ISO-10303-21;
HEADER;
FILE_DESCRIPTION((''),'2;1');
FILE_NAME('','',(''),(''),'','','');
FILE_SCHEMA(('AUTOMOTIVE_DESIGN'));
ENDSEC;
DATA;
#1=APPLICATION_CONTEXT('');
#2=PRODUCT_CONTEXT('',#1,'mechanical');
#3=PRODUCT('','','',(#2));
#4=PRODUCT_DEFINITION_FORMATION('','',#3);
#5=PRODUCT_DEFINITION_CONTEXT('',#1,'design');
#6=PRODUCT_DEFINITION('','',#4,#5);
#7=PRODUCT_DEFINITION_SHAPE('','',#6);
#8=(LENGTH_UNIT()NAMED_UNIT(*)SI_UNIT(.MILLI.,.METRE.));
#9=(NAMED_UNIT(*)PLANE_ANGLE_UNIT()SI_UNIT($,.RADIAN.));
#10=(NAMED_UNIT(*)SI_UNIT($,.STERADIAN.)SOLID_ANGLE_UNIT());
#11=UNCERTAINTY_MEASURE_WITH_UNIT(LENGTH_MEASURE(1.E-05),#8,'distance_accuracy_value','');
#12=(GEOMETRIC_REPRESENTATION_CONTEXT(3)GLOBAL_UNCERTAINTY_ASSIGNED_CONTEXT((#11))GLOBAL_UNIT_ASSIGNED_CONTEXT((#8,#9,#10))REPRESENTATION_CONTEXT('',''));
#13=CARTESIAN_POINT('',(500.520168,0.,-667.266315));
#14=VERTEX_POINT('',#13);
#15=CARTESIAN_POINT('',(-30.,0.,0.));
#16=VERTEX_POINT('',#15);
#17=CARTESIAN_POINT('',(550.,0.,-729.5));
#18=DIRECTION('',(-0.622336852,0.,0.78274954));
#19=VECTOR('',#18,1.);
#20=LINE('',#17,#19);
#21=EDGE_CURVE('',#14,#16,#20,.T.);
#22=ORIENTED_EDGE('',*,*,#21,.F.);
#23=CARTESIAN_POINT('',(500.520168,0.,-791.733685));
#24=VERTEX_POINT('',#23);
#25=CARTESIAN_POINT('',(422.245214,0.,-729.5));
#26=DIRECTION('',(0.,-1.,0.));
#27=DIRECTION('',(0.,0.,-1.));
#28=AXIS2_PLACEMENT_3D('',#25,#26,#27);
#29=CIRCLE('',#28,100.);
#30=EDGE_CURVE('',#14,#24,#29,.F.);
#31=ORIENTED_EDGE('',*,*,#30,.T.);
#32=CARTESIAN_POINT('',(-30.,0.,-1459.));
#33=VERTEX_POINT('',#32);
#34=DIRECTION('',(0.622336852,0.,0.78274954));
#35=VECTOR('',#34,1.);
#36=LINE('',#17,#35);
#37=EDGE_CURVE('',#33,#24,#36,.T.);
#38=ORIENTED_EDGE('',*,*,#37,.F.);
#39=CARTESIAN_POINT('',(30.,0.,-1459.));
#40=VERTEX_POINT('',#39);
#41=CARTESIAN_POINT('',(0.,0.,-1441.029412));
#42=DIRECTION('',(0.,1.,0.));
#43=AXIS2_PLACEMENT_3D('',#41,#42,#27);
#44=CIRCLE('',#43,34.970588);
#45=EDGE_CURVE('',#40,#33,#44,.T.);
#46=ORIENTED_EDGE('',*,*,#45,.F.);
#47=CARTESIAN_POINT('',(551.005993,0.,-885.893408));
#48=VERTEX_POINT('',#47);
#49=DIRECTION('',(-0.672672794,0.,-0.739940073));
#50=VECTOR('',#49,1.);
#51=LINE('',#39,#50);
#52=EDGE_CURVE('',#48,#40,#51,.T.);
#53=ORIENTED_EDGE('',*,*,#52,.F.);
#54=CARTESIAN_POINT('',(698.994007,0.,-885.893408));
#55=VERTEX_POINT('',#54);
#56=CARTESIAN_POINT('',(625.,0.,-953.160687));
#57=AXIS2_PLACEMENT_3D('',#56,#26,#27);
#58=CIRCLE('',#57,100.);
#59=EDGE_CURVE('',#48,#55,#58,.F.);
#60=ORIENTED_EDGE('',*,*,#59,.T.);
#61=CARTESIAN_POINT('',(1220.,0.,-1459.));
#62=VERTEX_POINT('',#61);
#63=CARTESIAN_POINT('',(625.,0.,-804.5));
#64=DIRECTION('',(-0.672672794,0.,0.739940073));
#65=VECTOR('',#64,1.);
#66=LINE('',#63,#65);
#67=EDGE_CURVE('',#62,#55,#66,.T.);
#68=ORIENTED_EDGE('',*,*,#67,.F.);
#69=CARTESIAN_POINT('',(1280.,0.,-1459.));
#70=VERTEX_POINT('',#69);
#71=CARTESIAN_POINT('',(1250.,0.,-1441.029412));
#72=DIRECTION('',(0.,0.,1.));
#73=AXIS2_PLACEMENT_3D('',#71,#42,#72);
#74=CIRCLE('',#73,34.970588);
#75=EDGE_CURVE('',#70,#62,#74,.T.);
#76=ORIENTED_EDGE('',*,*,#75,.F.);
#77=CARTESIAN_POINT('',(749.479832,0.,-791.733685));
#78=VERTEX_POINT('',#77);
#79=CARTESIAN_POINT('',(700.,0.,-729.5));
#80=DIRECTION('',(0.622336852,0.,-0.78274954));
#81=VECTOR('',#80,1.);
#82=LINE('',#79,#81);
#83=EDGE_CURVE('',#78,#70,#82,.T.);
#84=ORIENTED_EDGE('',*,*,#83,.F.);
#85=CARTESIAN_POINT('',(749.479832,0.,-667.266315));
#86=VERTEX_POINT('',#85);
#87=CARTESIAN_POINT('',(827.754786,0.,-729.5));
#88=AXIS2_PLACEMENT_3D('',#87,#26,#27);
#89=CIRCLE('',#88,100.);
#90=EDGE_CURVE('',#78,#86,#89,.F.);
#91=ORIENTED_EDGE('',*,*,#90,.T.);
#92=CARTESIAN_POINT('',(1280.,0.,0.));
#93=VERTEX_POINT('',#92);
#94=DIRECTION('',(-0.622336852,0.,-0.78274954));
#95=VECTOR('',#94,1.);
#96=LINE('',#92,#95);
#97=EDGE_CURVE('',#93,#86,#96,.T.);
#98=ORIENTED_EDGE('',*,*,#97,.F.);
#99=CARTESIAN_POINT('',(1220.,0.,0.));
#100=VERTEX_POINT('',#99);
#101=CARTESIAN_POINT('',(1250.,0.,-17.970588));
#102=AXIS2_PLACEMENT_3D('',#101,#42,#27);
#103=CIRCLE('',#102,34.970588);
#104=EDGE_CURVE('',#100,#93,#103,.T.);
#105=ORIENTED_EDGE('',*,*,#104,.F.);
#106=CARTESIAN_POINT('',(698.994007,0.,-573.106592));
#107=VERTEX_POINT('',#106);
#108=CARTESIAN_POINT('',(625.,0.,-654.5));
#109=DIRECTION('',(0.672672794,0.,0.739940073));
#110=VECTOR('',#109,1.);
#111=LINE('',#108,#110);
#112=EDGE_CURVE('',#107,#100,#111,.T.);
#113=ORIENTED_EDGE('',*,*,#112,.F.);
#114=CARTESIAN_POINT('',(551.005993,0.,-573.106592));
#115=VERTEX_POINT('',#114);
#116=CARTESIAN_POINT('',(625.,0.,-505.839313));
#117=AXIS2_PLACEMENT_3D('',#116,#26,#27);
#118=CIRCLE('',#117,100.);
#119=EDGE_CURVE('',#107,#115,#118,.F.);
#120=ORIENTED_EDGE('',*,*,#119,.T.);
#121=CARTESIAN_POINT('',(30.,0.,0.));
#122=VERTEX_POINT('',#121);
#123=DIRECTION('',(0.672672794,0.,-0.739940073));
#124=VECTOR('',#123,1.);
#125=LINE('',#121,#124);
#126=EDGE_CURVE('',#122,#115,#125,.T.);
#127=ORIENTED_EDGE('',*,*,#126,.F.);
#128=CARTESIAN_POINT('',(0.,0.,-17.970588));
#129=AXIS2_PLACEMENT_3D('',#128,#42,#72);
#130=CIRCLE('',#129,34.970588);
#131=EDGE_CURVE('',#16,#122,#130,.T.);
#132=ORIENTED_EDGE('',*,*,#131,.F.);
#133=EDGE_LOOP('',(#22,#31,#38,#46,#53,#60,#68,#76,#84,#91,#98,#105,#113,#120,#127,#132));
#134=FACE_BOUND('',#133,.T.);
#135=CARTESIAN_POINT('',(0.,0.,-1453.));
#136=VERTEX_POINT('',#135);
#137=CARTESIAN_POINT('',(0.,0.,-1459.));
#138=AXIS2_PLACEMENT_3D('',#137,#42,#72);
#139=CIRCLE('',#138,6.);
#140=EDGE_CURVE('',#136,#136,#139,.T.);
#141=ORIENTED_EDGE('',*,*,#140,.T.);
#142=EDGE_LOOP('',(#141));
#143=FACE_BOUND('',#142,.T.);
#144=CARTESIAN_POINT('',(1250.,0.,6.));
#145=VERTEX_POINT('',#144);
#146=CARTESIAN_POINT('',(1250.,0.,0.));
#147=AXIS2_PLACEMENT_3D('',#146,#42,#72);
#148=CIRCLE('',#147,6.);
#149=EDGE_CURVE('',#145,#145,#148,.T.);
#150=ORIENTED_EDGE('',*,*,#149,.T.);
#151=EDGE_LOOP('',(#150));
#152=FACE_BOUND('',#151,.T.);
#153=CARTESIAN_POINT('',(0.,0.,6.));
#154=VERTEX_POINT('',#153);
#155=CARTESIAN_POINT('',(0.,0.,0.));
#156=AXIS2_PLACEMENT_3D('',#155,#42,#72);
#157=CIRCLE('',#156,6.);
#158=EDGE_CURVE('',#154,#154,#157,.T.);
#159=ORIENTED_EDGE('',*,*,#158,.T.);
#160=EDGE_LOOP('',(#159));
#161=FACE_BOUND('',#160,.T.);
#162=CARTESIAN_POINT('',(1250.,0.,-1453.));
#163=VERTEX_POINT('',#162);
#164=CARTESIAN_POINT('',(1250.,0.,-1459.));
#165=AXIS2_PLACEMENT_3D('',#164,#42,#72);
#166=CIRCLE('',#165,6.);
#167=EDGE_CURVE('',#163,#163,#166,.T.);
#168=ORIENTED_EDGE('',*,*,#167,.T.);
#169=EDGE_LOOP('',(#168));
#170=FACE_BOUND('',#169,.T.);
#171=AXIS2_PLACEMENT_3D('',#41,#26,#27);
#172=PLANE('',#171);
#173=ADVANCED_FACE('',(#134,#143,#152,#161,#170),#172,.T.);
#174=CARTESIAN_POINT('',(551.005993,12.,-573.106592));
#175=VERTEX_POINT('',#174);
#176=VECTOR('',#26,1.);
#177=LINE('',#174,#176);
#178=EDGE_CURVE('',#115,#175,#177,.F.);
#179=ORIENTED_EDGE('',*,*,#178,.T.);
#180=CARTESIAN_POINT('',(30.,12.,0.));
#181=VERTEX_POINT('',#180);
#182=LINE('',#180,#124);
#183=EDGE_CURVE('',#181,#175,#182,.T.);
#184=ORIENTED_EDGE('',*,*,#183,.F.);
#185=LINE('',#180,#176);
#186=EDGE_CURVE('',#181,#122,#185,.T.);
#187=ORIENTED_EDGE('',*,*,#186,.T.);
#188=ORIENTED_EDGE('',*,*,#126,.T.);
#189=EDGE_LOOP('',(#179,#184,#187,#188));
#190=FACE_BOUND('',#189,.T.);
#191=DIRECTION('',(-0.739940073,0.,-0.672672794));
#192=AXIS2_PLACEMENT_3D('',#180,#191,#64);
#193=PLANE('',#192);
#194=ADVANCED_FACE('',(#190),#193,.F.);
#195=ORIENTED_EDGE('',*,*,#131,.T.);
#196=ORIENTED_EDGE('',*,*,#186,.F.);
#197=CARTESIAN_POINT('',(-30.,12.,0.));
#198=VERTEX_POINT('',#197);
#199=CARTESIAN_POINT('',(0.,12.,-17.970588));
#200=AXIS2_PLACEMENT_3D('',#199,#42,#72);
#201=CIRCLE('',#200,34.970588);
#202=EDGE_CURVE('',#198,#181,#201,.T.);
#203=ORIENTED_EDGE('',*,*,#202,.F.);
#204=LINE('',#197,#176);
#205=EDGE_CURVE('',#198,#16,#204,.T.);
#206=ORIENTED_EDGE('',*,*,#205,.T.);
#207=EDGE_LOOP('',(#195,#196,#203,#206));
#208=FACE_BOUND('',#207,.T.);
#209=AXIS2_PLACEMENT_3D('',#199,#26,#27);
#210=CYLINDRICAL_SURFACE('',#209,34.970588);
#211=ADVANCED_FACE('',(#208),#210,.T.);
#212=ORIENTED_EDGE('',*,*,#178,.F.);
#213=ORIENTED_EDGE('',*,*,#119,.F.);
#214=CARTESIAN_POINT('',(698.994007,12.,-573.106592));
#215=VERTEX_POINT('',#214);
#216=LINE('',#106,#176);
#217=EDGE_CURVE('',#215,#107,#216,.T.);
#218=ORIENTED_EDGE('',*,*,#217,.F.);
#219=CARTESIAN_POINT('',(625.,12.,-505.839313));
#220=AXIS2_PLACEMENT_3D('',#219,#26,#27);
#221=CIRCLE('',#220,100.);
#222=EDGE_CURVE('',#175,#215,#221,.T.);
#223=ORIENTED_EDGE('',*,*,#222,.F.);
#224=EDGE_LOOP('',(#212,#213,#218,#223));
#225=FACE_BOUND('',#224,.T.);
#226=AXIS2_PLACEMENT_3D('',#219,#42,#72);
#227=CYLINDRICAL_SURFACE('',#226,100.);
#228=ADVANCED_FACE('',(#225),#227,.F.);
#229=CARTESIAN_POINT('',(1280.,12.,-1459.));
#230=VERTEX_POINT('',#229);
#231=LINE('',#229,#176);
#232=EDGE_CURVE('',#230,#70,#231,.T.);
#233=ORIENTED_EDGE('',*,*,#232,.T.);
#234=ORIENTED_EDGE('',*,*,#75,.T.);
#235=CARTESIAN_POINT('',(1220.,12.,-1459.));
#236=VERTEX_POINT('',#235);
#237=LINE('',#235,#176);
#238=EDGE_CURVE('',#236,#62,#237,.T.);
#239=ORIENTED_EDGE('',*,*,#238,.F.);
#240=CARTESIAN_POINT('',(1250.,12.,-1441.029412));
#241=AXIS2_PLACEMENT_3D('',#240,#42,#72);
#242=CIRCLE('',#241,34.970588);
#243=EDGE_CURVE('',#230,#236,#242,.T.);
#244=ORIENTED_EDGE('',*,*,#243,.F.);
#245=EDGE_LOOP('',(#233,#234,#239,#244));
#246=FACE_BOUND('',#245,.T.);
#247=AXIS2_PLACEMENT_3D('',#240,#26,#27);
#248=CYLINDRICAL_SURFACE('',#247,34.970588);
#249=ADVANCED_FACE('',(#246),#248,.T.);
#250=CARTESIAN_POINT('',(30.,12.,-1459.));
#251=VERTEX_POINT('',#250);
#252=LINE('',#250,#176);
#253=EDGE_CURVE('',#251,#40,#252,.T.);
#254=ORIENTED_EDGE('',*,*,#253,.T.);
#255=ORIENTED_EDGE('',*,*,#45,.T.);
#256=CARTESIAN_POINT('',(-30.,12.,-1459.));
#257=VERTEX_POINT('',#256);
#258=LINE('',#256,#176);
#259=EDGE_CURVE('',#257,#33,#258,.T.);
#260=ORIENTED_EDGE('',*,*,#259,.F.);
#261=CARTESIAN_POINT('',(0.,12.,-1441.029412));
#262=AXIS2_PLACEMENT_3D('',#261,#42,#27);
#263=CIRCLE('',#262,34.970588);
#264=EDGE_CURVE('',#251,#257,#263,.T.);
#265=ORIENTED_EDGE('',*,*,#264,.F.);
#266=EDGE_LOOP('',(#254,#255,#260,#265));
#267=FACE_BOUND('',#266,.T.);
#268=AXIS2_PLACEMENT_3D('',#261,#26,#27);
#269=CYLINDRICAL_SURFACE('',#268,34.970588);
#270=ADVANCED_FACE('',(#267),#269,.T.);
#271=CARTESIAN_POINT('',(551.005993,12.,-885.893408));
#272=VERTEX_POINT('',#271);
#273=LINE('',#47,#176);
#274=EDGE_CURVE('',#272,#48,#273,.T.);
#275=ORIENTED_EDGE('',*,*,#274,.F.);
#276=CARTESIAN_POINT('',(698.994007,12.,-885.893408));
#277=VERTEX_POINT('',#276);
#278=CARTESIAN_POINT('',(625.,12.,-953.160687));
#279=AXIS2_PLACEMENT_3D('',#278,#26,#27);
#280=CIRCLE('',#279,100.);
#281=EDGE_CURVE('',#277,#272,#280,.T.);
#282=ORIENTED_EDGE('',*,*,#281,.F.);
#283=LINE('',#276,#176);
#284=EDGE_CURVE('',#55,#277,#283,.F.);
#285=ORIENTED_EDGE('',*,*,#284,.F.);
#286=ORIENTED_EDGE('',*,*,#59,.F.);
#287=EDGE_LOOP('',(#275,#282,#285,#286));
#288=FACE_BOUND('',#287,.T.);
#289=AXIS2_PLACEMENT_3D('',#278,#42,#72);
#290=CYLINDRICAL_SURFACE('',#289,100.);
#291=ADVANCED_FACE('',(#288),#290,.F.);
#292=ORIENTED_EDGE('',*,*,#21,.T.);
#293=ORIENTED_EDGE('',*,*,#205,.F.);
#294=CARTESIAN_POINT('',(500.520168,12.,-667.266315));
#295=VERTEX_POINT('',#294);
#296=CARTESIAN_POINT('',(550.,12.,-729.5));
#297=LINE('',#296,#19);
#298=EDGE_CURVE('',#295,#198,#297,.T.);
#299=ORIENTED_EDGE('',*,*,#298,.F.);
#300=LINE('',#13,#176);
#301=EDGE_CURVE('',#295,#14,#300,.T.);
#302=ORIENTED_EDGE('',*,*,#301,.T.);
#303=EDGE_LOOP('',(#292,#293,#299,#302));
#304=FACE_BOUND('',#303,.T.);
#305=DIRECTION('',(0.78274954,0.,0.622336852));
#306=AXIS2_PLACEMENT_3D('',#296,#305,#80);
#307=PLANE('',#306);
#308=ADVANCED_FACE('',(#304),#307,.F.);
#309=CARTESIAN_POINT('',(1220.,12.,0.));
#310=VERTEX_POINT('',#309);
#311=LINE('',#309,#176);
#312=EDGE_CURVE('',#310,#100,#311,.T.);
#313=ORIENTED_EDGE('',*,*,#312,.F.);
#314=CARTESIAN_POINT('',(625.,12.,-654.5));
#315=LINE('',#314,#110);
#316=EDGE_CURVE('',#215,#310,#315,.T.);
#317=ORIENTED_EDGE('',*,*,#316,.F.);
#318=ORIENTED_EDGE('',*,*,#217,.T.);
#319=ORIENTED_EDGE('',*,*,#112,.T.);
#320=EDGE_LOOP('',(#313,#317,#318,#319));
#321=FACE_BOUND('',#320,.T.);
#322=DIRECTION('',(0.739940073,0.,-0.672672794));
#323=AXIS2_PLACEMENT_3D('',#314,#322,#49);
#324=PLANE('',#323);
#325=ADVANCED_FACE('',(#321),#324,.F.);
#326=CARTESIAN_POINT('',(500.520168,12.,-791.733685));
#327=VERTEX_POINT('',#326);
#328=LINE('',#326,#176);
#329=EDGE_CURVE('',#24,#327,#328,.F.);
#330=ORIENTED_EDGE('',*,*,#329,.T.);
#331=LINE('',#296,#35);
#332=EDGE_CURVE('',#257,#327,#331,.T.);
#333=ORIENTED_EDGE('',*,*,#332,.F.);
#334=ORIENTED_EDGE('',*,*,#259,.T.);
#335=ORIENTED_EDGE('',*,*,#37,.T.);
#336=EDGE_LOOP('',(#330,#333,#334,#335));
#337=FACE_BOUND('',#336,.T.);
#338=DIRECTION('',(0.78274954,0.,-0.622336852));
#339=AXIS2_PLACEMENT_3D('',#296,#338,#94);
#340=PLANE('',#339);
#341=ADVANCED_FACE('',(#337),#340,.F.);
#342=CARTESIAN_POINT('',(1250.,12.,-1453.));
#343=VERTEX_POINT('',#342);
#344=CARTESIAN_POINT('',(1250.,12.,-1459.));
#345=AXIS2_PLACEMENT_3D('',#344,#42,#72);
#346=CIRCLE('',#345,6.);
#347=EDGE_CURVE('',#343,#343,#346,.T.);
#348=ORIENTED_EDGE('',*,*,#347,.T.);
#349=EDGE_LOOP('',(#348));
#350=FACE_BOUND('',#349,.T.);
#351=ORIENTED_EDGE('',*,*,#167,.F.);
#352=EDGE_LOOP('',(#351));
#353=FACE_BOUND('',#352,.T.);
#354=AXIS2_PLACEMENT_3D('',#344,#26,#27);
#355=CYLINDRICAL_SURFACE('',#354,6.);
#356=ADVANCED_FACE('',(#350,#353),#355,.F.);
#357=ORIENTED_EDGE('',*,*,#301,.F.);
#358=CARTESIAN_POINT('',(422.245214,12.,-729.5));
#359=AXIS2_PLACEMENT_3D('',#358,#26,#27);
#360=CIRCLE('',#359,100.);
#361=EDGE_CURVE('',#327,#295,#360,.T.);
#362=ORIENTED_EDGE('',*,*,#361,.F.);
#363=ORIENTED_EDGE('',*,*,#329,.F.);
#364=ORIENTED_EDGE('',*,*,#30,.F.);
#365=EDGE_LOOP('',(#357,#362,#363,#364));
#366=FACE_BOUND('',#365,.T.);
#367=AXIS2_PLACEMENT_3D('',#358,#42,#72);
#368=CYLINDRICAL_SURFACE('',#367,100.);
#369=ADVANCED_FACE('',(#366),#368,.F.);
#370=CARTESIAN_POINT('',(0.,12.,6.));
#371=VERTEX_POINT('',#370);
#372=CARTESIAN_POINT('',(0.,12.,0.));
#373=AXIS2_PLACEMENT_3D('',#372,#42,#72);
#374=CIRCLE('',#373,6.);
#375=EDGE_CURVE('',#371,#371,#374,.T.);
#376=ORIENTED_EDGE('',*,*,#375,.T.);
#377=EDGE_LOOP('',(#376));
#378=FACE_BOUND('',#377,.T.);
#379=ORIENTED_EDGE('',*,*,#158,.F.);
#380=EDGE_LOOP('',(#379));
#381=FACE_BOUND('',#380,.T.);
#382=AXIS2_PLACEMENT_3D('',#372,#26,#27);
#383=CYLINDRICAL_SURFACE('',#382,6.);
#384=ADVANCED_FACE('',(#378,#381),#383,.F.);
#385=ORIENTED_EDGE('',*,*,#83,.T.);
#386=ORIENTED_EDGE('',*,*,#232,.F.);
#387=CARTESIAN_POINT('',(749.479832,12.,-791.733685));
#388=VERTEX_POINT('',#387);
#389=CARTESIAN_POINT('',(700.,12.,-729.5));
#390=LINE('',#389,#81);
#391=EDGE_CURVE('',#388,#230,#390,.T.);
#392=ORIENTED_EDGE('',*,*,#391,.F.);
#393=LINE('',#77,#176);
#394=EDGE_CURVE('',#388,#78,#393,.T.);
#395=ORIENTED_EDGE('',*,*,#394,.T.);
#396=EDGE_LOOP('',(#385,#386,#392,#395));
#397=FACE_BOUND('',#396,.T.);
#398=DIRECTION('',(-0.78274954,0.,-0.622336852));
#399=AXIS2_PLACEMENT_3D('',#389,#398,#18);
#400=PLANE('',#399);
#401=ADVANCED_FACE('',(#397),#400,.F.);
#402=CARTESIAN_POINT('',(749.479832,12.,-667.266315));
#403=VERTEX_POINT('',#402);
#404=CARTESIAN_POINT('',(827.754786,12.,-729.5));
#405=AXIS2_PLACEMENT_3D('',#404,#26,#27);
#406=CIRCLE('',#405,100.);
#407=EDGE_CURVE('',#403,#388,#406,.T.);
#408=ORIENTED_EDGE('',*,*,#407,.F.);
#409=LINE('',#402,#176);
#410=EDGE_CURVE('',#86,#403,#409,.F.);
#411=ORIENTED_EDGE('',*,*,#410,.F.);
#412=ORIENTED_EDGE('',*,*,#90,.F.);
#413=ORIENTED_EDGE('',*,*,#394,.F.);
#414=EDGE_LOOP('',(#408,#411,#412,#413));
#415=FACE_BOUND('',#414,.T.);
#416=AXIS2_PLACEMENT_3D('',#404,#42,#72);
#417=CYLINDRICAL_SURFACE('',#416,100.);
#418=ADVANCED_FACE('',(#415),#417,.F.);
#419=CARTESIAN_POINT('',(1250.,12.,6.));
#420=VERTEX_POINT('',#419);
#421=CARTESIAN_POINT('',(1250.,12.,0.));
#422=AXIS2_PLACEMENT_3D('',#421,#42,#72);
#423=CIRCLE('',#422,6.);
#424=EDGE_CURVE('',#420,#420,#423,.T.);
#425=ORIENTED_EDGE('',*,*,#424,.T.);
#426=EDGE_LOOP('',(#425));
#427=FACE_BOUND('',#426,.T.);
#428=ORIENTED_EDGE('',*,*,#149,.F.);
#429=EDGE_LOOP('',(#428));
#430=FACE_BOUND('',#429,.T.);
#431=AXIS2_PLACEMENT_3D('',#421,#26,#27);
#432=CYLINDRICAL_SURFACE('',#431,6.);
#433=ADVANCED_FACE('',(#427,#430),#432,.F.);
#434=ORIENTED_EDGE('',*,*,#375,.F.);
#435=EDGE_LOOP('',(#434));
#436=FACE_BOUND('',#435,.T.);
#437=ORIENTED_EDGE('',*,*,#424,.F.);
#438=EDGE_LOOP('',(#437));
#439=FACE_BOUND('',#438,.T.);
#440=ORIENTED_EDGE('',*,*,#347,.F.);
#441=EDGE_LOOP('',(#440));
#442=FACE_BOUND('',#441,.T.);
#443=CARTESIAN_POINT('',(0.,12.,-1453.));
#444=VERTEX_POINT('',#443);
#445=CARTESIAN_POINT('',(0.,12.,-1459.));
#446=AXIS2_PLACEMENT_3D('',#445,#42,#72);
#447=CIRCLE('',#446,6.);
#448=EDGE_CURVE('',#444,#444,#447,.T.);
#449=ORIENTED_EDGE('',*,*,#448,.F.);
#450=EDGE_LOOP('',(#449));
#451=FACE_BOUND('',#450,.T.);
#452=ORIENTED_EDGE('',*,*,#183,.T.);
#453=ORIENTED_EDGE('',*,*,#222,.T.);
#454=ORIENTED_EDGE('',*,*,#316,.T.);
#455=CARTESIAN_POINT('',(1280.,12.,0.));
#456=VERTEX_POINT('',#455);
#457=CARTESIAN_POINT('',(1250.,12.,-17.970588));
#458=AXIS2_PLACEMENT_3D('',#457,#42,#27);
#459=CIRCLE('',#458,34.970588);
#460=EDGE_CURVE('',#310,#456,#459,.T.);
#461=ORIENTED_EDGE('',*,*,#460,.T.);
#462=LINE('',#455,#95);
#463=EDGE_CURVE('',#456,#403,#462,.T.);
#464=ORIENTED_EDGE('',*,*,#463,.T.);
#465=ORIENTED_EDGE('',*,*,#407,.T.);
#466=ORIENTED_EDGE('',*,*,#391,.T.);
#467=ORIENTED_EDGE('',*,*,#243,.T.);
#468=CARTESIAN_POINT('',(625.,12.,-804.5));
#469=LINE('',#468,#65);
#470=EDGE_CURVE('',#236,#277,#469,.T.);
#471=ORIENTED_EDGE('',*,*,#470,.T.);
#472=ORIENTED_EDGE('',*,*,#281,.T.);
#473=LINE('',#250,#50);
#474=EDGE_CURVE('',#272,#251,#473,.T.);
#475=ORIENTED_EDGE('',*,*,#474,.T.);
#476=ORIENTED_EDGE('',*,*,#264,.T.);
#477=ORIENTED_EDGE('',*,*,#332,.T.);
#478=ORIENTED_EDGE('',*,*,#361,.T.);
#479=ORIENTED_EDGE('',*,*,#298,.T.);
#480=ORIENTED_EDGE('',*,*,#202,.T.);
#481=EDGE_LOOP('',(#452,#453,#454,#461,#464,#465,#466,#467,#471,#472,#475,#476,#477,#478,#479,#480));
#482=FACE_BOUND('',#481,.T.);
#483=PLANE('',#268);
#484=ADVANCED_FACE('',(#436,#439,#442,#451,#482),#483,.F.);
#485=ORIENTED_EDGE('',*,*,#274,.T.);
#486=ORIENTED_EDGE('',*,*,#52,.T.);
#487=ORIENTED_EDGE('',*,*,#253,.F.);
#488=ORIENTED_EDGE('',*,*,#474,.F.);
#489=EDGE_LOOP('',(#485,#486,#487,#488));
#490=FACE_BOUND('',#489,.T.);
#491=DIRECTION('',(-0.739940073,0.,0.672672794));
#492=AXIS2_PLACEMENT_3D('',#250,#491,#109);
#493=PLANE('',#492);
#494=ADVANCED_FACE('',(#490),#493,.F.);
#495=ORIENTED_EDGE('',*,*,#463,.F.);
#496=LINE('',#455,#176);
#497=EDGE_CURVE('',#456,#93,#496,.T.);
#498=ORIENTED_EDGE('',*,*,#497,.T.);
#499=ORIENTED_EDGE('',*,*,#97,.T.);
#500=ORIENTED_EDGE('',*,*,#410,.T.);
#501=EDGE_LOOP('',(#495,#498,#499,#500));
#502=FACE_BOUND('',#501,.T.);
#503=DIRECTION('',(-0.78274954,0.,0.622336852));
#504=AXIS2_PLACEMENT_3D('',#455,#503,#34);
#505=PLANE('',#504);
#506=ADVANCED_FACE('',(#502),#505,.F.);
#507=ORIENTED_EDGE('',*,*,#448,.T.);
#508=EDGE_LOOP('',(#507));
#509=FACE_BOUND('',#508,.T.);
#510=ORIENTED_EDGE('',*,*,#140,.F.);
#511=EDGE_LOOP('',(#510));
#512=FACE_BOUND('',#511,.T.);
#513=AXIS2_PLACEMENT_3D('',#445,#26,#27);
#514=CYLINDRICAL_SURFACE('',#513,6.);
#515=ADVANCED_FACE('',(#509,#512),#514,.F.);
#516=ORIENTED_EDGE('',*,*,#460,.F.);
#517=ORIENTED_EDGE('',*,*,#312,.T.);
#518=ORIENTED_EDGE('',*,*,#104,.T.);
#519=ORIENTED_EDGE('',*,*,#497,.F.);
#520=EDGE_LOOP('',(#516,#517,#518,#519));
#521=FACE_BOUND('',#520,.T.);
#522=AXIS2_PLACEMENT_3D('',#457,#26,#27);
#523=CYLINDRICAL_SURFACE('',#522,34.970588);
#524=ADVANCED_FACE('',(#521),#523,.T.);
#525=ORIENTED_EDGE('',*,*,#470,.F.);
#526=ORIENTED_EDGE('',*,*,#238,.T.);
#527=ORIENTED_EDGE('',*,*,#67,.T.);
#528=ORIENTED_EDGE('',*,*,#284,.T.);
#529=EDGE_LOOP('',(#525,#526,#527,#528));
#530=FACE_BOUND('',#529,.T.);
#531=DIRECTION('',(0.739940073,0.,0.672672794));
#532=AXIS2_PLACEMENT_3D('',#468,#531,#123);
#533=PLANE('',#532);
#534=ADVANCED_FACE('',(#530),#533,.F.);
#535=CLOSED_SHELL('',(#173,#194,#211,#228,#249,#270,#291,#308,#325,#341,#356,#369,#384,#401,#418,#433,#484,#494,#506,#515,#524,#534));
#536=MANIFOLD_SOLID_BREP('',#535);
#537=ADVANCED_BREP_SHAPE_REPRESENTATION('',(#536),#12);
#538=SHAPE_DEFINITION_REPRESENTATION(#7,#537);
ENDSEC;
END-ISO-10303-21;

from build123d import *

# Parameters (mm, degrees)
SKETCH1_R           = 6
BOSS_EXTRUDE1_DEPTH = 12
FILLET1_R           = 100


with BuildPart() as part:
    # Sketch1 → Boss-Extrude1 (new body)
    with BuildSketch(Plane(origin=(0, 0, 0), x_dir=(1, 0, 0), z_dir=(0, 1, 0))):
        with BuildLine():
            Line((550, 729.5), (-30, 1459))
            ThreePointArc((-30, 1459), (0, 1476), (30, 1459))
            Line((30, 1459), (625, 804.5))
            Line((625, 804.5), (1220, 1459))
            ThreePointArc((1220, 1459), (1250, 1476), (1280, 1459))
            Line((1280, 1459), (700, 729.5))
            Line((700, 729.5), (1280, 0))
            ThreePointArc((1280, 0), (1250, -17), (1220, 0))
            Line((1220, 0), (625, 654.5))
            Line((625, 654.5), (30, 0))
            ThreePointArc((30, 0), (0, -17), (-30, 0))
            Line((-30, 0), (550, 729.5))
        make_face()
        with Locations(Location((0, 1459, 0), (0, 0, 270))):
            Circle(SKETCH1_R, mode=Mode.SUBTRACT)
        with Locations(Location((1250, 1459, 0), (0, 0, 270))):
            Circle(SKETCH1_R, mode=Mode.SUBTRACT)
        with Locations(Location((1250, 0, 0), (0, 0, 270))):
            Circle(SKETCH1_R, mode=Mode.SUBTRACT)
        with Locations(Location((0, 0, 0), (0, 0, 270))):
            Circle(SKETCH1_R, mode=Mode.SUBTRACT)
    extrude(amount=BOSS_EXTRUDE1_DEPTH)

    # Fillet1
    fillet1_edges = [part.edges().sort_by_distance(p)[0] for p in [
        (625, 6, -804.5),
        (700, 6, -729.5),
        (625, 6, -654.5),
        (550, 6, -729.5),
    ]]
    fillet(fillet1_edges, radius=FILLET1_R)


solid = part.part
